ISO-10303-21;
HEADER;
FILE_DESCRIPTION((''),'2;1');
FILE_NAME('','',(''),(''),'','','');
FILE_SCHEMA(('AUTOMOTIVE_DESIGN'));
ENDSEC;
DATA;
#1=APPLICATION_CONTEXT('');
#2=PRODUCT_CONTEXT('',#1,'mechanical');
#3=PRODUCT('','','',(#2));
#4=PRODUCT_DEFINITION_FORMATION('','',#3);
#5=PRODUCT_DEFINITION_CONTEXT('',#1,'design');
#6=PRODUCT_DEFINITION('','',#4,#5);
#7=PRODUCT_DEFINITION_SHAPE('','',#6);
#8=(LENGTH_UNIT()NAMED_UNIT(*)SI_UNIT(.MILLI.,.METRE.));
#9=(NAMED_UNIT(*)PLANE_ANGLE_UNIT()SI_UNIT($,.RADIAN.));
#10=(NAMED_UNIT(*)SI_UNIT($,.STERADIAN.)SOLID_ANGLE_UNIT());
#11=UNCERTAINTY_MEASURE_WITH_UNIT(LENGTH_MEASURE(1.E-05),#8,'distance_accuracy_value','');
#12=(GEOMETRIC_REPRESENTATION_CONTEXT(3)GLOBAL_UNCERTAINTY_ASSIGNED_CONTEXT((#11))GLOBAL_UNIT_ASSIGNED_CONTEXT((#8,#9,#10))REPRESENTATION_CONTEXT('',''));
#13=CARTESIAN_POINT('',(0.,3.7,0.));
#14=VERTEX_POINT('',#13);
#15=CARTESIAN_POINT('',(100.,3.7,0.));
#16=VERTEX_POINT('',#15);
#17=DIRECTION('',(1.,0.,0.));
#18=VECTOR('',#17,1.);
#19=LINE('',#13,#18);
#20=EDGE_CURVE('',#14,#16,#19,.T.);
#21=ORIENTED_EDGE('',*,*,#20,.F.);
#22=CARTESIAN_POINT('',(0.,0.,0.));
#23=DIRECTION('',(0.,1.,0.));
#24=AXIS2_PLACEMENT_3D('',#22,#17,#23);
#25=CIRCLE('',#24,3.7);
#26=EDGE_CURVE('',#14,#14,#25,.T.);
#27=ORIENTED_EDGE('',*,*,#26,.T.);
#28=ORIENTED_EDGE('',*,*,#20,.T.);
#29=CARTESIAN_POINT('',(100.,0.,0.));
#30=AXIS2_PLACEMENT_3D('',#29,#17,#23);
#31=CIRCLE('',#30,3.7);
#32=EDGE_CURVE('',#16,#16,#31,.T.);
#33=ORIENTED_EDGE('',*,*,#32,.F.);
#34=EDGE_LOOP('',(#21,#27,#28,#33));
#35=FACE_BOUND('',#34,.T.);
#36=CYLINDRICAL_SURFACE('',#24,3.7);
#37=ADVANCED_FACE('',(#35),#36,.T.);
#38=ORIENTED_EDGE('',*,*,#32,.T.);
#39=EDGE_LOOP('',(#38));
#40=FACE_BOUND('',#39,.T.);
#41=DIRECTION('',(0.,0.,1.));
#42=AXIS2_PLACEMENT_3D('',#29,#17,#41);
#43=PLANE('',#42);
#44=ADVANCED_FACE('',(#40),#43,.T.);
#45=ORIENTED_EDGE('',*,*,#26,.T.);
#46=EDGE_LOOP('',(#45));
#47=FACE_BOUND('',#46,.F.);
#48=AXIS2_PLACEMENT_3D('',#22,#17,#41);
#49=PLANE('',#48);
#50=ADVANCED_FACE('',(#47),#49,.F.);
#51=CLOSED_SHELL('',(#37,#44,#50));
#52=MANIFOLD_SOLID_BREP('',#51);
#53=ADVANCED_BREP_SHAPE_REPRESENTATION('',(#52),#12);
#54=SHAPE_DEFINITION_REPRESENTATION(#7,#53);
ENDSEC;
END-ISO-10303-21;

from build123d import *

# Parameters (mm, degrees)
F1_R = 3.7


with BuildPart() as f2:
    # F2: sweep along a path in F0
    with BuildLine(Plane.XY) as f2_path:
        Line((0, 0), (100, 0))
    # F1 (on Right) → F2 (sweep)
    with BuildSketch(Plane.YZ):
        Circle(F1_R)
    sweep(path=f2_path.line)


solid = f2.part
